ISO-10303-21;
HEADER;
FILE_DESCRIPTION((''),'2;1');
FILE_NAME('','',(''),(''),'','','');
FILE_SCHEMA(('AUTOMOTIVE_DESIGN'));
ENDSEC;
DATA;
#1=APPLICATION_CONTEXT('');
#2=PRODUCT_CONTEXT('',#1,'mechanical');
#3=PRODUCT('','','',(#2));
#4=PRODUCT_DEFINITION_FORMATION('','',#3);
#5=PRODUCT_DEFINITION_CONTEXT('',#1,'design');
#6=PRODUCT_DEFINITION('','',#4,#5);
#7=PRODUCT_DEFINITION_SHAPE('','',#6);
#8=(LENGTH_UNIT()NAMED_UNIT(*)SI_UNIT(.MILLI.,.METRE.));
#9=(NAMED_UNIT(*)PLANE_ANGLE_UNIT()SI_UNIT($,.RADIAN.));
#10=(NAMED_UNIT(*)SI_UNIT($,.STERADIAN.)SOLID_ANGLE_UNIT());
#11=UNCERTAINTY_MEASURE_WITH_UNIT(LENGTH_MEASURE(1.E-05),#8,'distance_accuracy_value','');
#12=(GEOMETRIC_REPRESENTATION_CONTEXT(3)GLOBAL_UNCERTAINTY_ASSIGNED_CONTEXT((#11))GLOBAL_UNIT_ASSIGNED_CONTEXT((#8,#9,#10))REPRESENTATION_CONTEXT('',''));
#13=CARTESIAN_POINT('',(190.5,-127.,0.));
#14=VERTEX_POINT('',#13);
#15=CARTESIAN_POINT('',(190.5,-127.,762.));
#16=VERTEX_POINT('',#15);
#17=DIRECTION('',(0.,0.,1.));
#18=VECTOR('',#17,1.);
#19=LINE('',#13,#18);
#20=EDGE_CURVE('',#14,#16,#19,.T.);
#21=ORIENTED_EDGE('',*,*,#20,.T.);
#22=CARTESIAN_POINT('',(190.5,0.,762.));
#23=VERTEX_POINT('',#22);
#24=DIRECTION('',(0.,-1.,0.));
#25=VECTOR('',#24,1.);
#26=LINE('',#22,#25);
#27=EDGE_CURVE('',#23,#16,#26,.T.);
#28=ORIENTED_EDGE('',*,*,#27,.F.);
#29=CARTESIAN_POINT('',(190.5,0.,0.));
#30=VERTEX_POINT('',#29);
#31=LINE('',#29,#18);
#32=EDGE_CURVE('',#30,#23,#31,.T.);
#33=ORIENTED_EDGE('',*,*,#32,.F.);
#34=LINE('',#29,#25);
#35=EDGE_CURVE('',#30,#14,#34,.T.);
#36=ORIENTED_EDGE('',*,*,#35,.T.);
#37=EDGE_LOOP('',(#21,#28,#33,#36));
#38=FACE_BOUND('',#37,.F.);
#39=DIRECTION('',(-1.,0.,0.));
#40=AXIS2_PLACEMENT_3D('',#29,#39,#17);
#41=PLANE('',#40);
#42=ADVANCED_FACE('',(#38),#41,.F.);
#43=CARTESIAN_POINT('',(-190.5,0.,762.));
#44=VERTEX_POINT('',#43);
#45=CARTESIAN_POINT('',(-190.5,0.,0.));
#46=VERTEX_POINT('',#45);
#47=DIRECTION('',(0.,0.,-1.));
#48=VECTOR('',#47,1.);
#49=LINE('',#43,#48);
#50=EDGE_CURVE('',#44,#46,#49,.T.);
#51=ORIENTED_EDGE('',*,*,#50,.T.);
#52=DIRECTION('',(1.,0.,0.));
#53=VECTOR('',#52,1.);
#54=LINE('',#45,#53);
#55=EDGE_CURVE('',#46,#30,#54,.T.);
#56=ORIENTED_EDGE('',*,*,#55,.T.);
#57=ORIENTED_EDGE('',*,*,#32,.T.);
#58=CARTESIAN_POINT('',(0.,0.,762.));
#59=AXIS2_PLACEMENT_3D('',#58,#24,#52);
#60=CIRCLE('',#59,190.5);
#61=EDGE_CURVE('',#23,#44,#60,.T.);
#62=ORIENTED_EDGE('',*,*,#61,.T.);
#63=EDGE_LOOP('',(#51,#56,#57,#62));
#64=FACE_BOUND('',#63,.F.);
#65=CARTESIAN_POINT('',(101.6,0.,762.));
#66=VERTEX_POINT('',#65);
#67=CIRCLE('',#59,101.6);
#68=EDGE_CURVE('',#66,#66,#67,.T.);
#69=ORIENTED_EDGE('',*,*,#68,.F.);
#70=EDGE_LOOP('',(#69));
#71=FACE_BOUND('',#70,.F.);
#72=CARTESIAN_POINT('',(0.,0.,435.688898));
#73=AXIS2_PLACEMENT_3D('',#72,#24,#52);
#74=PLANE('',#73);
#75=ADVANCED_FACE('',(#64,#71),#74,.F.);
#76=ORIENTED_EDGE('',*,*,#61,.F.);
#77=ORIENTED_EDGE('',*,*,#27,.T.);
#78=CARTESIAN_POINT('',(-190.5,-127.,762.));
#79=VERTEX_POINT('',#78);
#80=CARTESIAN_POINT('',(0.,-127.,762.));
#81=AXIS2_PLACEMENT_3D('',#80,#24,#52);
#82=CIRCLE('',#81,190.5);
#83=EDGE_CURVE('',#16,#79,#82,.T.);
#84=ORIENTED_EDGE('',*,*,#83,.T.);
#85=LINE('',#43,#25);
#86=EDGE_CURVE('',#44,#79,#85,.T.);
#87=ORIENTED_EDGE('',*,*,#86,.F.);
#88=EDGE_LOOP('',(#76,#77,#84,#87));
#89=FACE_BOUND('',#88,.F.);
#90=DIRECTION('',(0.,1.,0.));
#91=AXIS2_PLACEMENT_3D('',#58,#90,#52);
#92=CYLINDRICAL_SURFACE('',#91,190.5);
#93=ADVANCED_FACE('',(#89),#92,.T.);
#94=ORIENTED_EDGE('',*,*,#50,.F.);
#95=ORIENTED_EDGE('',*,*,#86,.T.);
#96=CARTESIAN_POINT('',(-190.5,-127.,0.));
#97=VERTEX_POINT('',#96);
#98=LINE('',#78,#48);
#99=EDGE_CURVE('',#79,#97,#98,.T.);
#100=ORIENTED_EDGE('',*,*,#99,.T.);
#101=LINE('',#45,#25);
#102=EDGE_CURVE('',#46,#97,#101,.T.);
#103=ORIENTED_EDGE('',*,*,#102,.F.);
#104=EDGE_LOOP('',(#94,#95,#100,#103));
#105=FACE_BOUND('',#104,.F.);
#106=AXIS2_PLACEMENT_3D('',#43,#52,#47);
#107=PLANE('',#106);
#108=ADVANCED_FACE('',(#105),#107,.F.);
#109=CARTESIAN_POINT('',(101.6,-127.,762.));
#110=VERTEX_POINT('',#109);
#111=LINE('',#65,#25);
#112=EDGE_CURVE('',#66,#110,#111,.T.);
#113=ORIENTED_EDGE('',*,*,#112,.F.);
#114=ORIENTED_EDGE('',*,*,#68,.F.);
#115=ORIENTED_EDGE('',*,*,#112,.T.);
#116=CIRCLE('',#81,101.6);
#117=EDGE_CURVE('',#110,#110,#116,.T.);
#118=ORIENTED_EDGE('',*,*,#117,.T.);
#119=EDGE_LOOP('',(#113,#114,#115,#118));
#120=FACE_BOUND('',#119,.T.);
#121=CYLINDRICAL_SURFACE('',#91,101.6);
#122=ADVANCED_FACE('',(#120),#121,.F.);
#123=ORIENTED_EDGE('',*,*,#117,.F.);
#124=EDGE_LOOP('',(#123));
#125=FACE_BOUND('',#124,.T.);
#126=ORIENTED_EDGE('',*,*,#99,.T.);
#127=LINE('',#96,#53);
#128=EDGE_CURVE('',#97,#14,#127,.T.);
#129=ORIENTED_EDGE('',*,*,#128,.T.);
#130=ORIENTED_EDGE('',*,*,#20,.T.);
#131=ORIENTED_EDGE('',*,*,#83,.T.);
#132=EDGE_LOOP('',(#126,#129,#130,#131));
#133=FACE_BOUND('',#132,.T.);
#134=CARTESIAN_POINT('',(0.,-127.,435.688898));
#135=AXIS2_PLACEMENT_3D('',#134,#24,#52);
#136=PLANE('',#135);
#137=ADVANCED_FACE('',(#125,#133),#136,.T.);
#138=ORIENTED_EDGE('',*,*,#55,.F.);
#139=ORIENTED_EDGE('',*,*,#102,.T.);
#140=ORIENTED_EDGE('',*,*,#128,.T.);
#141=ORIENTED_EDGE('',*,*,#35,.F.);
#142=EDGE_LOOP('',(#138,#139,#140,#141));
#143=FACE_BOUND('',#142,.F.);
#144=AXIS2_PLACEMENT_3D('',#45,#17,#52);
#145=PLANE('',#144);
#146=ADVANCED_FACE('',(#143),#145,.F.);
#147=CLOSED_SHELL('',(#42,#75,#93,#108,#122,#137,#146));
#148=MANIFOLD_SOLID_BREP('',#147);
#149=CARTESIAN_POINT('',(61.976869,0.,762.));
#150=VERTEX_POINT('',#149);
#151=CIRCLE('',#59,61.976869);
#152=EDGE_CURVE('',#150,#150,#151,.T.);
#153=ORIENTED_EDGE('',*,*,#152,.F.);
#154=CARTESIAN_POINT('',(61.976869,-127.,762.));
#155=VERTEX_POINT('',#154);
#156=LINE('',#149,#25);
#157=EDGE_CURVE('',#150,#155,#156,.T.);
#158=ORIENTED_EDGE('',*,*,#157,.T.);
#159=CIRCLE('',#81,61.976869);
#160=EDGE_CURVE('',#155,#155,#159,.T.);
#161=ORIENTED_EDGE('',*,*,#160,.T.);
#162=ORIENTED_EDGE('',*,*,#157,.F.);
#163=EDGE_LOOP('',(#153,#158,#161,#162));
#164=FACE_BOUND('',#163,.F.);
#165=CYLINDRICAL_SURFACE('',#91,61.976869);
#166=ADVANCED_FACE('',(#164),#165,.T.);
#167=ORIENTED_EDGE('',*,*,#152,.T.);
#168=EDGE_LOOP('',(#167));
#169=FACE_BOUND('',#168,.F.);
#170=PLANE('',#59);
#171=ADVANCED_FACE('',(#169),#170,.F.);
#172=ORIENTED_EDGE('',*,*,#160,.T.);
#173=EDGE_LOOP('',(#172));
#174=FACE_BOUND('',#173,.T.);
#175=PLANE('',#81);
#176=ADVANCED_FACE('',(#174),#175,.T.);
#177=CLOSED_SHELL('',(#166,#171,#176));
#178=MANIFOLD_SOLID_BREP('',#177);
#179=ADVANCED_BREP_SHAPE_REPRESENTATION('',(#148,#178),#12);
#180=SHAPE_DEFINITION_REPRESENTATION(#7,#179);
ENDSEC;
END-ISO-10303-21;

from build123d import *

# Parameters (mm, degrees)
F0_R     = 101.6
F0_R_2   = 61.976869
F1_DEPTH = 127


with BuildPart() as f1:
    # F0 (on Front) → F1 (new body)
    with BuildSketch(Plane.XZ):
        with BuildLine():
            Line((-190.5, 762), (-190.5, 0))
            Line((-190.5, 0), (190.5, 0))
            Line((190.5, 0), (190.5, 762))
            ThreePointArc((190.5, 762), (0, 952.5), (-190.5, 762))
        make_face()
        with Locations((0, 762)):
            Circle(F0_R, mode=Mode.SUBTRACT)
        with Locations((0, 762)):
            Circle(F0_R_2)
    extrude(amount=F1_DEPTH)


solid = f1.part
